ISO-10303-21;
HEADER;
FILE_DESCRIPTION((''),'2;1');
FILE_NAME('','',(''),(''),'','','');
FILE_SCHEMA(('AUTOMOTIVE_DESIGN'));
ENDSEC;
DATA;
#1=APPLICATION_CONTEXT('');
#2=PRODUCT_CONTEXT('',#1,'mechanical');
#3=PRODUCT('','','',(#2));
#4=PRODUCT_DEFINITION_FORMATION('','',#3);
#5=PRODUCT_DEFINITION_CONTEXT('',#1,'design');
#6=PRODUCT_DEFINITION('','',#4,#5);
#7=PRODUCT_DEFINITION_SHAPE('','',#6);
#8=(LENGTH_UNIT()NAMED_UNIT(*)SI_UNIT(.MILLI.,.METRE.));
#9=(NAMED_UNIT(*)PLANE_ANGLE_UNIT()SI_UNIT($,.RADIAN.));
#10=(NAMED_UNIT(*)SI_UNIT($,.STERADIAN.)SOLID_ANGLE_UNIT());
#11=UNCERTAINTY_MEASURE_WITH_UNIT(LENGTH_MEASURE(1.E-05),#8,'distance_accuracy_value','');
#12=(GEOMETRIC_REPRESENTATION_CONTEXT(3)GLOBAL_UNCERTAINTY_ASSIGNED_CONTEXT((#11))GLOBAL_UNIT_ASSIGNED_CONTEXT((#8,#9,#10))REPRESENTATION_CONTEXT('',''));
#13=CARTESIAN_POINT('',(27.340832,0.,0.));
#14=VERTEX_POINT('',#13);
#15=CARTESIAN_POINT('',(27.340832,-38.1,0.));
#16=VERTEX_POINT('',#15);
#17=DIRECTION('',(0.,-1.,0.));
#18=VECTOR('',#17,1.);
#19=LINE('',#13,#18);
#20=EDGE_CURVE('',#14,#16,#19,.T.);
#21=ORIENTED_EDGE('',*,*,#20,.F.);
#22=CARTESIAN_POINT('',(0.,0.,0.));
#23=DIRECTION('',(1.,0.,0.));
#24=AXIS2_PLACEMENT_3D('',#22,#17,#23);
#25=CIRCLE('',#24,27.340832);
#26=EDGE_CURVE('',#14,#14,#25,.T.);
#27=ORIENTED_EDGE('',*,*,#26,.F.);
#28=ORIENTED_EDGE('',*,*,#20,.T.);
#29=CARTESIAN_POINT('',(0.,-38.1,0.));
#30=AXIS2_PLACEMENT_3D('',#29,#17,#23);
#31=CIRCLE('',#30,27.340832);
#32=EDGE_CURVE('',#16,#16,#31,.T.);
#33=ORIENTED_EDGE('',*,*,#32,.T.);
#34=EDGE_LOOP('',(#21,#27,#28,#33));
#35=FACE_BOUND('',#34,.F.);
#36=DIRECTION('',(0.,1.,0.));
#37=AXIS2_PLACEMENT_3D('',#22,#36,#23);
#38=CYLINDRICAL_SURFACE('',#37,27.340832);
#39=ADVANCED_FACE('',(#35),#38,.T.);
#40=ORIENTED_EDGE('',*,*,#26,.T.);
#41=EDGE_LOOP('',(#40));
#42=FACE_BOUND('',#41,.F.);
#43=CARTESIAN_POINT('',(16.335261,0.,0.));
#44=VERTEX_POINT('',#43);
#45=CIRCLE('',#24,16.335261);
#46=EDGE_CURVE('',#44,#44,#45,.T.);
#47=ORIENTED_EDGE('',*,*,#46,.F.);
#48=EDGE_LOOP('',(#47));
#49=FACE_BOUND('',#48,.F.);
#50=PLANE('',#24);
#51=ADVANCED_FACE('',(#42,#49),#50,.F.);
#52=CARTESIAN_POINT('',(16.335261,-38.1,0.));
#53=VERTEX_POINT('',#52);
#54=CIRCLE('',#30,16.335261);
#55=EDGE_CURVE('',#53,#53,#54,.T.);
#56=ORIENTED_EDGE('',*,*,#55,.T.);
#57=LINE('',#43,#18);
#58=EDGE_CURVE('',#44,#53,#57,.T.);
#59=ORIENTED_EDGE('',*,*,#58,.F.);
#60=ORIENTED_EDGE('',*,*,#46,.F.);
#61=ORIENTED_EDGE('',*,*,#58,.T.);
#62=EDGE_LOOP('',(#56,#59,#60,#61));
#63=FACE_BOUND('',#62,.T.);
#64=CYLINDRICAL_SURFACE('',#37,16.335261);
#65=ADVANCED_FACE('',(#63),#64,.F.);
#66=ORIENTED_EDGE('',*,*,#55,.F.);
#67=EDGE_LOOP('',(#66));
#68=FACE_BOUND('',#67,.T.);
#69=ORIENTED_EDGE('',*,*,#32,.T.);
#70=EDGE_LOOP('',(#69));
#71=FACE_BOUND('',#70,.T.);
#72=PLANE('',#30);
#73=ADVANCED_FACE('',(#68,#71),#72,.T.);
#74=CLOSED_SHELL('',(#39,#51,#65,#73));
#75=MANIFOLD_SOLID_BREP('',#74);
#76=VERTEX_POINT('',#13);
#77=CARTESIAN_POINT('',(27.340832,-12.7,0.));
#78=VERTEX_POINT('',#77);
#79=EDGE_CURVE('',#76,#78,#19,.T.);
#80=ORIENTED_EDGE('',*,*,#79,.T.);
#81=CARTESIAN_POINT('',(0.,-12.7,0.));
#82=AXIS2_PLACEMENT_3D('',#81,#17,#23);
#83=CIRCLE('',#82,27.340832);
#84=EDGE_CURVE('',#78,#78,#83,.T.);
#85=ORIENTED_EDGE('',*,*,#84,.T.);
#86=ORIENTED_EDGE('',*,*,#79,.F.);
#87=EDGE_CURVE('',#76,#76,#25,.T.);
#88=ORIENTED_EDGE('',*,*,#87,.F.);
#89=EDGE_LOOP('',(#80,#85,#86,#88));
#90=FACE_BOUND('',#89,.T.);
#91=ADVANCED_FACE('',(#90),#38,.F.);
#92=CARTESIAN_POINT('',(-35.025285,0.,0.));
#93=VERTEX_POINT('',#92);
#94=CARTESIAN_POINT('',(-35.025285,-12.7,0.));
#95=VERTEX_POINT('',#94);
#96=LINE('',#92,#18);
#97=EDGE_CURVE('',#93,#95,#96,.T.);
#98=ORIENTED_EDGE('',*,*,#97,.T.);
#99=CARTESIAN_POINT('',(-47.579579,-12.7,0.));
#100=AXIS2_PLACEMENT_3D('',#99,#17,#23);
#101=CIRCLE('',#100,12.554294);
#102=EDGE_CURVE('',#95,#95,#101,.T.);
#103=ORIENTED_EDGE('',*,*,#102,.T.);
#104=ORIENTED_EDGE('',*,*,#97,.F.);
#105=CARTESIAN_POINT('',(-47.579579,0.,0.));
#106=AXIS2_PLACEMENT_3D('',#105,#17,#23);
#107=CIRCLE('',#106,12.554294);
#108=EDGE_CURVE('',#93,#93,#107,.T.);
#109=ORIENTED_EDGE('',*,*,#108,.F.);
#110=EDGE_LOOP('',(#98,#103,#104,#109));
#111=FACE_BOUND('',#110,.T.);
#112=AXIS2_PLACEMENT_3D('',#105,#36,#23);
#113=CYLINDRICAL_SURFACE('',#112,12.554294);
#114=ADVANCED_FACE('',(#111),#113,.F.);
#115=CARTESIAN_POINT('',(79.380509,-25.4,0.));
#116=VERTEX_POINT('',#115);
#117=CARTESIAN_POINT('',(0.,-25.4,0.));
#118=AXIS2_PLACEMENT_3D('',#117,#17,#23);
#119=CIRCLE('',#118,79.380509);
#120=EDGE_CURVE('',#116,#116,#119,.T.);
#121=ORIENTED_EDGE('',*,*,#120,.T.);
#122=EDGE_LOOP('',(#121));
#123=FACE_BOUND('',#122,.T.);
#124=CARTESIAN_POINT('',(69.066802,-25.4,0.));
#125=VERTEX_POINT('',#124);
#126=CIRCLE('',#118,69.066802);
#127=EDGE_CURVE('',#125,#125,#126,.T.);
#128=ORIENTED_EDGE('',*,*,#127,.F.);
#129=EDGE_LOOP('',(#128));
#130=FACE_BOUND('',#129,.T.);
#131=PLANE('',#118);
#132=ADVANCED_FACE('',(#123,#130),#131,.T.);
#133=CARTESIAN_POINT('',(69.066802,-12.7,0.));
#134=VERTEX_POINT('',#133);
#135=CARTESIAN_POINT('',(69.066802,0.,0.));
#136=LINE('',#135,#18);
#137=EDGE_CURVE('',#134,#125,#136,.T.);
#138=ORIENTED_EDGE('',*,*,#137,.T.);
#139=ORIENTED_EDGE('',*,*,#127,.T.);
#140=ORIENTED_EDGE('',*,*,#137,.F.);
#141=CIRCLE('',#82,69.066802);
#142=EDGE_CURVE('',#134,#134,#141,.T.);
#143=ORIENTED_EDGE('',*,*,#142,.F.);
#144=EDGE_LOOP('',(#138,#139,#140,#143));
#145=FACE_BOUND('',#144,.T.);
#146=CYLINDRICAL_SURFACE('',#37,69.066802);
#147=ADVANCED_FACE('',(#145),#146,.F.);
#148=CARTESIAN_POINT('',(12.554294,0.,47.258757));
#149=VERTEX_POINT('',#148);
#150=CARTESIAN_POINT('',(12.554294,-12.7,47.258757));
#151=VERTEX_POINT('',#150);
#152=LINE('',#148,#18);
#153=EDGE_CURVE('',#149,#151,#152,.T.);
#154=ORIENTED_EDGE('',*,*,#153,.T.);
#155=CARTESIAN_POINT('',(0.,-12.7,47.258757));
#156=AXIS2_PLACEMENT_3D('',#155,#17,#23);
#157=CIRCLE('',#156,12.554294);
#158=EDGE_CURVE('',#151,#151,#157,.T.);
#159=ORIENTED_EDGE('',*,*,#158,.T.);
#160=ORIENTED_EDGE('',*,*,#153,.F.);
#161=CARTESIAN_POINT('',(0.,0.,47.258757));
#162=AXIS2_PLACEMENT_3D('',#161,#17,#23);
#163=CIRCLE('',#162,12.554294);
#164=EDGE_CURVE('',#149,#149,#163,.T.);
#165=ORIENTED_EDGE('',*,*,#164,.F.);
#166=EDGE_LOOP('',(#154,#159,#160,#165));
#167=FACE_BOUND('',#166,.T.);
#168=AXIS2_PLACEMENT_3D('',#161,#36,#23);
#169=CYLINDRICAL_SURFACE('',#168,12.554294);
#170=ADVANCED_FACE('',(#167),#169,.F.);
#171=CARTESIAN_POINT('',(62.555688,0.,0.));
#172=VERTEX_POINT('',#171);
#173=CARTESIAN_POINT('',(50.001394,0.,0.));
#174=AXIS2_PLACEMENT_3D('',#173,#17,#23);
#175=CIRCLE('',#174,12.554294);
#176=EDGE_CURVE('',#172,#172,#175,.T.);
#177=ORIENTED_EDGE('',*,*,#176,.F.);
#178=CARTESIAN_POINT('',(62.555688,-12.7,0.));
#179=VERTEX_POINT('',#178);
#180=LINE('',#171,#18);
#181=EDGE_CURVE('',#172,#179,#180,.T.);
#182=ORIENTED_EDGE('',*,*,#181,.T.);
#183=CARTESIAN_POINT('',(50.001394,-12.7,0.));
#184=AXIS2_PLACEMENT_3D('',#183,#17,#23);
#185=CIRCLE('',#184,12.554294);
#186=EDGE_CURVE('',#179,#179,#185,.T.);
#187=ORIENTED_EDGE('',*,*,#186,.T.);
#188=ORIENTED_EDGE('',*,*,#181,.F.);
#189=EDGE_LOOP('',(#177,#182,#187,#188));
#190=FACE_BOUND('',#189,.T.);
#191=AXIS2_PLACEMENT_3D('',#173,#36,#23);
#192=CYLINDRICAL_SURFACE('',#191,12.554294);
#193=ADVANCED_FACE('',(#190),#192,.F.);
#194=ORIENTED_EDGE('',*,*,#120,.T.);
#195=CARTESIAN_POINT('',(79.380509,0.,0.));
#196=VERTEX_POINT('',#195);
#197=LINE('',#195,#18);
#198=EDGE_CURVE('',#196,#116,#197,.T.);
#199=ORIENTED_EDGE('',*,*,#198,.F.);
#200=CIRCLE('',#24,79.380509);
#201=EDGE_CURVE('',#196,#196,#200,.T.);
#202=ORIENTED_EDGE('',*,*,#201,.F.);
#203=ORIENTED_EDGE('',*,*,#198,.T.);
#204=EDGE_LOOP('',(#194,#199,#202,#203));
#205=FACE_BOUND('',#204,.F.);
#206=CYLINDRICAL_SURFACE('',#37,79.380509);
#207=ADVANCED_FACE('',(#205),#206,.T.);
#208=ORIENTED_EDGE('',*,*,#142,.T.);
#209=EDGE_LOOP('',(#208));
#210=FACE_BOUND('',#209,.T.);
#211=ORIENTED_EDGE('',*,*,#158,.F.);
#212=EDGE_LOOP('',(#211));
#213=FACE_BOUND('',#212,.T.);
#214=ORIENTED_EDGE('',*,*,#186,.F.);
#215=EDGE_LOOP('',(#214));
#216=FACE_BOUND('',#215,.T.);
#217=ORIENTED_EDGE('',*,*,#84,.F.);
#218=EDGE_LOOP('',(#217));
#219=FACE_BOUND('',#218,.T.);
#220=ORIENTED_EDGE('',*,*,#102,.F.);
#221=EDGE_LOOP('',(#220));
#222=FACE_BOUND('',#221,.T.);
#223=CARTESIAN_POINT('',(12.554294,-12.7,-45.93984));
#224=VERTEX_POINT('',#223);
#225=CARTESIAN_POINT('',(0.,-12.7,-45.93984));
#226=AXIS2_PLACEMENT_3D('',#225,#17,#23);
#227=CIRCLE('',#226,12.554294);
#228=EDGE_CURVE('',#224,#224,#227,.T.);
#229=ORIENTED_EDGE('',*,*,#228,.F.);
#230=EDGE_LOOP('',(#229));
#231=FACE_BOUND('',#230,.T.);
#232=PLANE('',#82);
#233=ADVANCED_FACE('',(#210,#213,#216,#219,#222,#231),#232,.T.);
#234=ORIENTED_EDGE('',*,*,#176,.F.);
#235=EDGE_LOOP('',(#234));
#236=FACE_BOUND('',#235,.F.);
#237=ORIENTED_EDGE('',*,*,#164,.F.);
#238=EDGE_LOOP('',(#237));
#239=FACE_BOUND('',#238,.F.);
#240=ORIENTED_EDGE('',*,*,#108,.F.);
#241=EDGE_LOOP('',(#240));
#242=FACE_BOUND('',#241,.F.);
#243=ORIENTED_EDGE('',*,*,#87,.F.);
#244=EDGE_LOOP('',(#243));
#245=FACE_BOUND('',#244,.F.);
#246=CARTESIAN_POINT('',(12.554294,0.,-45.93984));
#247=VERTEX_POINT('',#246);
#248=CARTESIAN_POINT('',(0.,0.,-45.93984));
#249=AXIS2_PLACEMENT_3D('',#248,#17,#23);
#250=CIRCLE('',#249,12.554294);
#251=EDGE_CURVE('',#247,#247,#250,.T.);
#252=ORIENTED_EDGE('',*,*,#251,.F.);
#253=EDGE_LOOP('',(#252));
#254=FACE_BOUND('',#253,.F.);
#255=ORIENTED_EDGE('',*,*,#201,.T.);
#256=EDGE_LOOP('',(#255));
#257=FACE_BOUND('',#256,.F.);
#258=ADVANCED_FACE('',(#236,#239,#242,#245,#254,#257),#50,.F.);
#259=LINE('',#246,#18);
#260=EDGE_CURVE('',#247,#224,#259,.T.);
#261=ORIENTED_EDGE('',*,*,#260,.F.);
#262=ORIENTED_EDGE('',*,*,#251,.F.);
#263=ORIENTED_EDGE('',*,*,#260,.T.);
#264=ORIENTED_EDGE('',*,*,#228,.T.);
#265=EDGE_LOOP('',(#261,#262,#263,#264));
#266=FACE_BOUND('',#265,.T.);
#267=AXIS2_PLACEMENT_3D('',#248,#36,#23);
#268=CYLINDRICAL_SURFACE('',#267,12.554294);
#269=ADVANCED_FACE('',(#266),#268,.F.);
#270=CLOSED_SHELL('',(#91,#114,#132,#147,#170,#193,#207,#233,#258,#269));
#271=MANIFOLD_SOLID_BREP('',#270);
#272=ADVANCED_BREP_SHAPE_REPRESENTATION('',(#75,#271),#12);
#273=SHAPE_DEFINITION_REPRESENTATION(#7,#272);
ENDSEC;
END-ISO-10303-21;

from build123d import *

# Parameters (mm, degrees)
F0_R     = 27.340832
F0_R_2   = 16.335261
F1_DEPTH = 38.1
F0_R_3   = 69.066802
F0_R_4   = 12.554294
F2_DEPTH = 12.7
F0_R_5   = 79.380509
F3_DEPTH = 25.4


with BuildPart() as f1:
    # F0 (on Front) → F1 (new body)
    with BuildSketch(Plane.XZ):
        Circle(F0_R)
        Circle(F0_R_2, mode=Mode.SUBTRACT)
    extrude(amount=F1_DEPTH)


with BuildPart() as f2:
    # F0 (on Front) → F2 (new body)
    with BuildSketch(Plane.XZ):
        Circle(F0_R_3)
        with Locations((0, -45.93984)):
            Circle(F0_R_4, mode=Mode.SUBTRACT)
        with Locations((-47.579579, 0)):
            Circle(F0_R_4, mode=Mode.SUBTRACT)
        Circle(F0_R, mode=Mode.SUBTRACT)
        with Locations((50.001394, 0)):
            Circle(F0_R_4, mode=Mode.SUBTRACT)
        with Locations((0, 47.258757)):
            Circle(F0_R_4, mode=Mode.SUBTRACT)
    extrude(amount=F2_DEPTH)

    # F0 (on Front) → F3 (join)
    with BuildSketch(Plane.XZ):
        Circle(F0_R_5)
        Circle(F0_R_3, mode=Mode.SUBTRACT)
    extrude(amount=F3_DEPTH)


solid = Compound([f1.part, f2.part])
